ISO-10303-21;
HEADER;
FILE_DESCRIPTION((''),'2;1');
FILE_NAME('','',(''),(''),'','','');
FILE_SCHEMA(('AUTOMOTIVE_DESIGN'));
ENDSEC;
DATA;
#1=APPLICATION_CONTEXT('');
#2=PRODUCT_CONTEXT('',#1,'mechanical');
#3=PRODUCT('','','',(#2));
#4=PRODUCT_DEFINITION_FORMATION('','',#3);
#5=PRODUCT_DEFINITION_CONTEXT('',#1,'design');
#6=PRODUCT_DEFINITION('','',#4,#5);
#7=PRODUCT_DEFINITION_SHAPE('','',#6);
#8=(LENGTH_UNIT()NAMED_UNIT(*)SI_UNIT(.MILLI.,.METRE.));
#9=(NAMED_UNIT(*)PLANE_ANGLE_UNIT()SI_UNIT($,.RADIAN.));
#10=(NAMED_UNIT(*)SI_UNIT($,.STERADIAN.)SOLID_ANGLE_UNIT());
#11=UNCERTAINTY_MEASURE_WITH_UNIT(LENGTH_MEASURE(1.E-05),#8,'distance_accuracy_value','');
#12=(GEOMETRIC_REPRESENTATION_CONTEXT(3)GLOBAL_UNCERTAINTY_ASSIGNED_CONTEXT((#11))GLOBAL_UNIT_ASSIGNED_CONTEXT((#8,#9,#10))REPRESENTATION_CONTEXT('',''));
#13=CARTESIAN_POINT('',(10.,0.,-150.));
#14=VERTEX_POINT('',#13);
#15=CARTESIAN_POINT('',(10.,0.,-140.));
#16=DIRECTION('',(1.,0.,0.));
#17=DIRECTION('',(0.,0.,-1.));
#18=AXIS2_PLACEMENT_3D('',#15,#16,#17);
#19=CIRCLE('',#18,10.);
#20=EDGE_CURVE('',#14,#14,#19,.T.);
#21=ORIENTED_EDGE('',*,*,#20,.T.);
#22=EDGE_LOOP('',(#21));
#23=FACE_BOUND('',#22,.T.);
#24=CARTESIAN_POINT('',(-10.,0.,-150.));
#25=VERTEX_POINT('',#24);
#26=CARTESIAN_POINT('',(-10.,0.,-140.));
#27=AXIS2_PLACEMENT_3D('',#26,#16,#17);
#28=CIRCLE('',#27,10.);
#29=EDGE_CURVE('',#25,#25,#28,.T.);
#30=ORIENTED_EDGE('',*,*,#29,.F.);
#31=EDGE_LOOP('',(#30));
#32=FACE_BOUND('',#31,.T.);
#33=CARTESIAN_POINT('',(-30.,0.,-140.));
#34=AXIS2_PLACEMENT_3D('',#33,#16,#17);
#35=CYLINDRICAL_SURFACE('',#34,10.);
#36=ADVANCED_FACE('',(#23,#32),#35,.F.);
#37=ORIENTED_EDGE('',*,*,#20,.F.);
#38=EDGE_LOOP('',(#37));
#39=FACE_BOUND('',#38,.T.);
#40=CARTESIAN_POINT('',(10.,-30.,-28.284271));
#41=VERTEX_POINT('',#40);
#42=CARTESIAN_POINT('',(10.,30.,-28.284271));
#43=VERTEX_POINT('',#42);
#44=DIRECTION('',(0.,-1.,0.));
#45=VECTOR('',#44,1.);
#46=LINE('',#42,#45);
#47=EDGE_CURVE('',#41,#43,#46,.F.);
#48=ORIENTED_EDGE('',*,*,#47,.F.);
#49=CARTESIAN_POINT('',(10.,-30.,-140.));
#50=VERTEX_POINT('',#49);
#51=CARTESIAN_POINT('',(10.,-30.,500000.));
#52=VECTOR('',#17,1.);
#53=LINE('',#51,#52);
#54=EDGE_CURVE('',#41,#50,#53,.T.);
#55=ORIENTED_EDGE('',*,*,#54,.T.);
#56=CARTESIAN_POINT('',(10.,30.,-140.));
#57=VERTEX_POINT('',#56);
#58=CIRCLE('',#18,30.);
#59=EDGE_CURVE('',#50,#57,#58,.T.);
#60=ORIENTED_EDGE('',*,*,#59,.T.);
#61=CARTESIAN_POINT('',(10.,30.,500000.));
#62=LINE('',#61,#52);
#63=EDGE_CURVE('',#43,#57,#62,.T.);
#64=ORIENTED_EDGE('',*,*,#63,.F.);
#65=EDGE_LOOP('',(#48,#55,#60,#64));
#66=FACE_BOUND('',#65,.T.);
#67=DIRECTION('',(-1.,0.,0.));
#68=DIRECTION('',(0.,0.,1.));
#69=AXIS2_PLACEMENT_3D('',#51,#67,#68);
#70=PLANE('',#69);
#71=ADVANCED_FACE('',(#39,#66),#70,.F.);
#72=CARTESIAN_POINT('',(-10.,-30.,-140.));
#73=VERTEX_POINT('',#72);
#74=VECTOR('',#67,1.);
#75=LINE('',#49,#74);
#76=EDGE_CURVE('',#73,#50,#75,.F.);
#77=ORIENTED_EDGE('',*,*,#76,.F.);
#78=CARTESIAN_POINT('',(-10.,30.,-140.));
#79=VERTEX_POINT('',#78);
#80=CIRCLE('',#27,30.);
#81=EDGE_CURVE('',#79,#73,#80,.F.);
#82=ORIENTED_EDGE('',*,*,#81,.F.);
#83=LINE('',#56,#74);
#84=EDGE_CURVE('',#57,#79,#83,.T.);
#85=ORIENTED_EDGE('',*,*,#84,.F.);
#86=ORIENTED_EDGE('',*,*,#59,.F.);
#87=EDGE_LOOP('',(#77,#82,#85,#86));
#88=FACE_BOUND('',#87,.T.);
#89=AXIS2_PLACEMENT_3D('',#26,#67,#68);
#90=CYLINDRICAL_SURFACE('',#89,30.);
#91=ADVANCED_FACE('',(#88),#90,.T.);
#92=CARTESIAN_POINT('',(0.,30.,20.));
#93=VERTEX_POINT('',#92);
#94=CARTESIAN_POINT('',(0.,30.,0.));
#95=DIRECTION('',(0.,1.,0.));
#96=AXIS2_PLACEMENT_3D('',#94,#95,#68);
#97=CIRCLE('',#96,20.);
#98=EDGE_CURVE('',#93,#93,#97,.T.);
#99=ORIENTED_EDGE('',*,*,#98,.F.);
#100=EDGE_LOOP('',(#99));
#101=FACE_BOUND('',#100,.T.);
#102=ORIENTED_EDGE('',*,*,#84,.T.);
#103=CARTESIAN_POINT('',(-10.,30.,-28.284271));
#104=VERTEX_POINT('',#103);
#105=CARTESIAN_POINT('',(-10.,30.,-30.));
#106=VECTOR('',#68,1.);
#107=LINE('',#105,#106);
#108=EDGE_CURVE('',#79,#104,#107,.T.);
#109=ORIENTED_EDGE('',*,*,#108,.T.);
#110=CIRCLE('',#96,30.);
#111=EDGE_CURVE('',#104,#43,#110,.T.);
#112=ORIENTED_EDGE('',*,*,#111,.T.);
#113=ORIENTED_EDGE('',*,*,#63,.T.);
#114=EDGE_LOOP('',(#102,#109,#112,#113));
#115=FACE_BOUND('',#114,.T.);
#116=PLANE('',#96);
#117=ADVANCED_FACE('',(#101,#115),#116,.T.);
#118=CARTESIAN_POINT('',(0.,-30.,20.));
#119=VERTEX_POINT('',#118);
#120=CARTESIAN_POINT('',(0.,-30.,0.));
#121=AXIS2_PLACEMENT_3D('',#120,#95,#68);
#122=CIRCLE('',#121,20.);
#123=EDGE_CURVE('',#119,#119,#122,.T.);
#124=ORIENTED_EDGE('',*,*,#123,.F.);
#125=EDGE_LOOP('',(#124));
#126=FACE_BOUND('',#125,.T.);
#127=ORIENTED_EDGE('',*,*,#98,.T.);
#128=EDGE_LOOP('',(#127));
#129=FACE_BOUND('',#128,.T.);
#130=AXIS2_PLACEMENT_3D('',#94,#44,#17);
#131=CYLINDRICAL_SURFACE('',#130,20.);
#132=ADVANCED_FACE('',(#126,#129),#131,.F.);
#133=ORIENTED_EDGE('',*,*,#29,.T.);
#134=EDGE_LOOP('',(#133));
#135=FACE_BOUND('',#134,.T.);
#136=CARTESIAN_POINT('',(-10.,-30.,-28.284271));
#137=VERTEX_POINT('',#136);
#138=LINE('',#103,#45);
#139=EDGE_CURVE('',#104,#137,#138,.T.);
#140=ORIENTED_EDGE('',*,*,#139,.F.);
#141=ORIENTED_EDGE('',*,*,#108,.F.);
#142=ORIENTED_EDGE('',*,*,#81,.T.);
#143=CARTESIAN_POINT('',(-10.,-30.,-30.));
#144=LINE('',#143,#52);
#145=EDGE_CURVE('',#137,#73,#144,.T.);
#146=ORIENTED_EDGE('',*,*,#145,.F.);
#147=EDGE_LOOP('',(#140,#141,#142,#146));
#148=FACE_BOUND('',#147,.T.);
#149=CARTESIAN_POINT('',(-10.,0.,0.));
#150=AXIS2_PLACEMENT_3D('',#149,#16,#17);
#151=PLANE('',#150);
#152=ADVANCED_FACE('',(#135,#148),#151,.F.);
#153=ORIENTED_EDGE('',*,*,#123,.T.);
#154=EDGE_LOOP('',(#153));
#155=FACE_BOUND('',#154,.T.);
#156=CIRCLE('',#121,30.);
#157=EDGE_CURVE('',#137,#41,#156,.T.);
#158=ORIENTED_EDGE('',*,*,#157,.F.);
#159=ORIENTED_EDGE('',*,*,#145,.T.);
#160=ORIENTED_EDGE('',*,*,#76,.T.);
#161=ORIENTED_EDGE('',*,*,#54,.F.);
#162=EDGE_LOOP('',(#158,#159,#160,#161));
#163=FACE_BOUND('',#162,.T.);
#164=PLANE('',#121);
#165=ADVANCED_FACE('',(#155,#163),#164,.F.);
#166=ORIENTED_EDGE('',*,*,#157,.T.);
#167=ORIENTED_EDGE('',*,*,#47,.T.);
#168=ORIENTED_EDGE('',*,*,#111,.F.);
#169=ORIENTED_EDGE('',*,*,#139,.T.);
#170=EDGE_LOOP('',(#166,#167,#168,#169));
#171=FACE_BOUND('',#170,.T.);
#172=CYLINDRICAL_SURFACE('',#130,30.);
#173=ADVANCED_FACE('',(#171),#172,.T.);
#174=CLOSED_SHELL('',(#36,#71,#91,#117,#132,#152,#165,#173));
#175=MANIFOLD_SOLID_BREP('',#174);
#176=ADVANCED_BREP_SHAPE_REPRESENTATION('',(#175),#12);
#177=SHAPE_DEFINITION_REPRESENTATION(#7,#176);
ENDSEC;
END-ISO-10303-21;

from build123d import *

# Parameters (mm, degrees)
SKETCH_1_R           = 30
SKETCH_1_R_2         = 20
EXTRUDE_1_DEPTH      = 30
SKETCH_2_W           = 140
SKETCH_2_H           = 60
EXTRUDE_2_DEPTH      = 10
SKETCH_3_R           = 10
CUT_EXTRUDE_1_DEPTH  = 178.200451467
FILLET_1_RADIUS      = 30
FILLET_1_LENGTH      = 20
EXTRUDE_3_REACH      = 148.287
EXTRUDE_3_END_RADIUS = 30
SKETCH_4_W           = 20
SKETCH_4_H           = 60


with BuildPart() as part:
    # 草图1 → 凸台-拉伸1 (new, symmetric)
    with BuildSketch(Plane(origin=(0, 0, 0), x_dir=(1, 0, 0), z_dir=(0, 1, 0))):
        with Locations(Location((0, 0, 0), (0, 0, 270))):
            Circle(SKETCH_1_R)
        with Locations(Location((0, 0, 0), (0, 0, 270))):
            Circle(SKETCH_1_R_2, mode=Mode.SUBTRACT)
    extrude(amount=EXTRUDE_1_DEPTH, both=True)



with BuildPart() as body_2:
    # 草图2 → 凸台-拉伸2 (new, symmetric)
    with BuildSketch(Plane(origin=(0, 0, 0), x_dir=(0, 0, -1), z_dir=(1, 0, 0))):
        with Locations((100, 0)):
            Rectangle(SKETCH_2_W, SKETCH_2_H)
    extrude(amount=EXTRUDE_2_DEPTH, both=True)

    # 草图3 → 切除-拉伸1 (cut, through all)
    with BuildSketch(Plane(origin=(10, 0, 0), x_dir=(0, 0, -1), z_dir=(1, 0, 0))):
        with Locations((140, 0)):
            Circle(SKETCH_3_R)
    extrude(amount=-CUT_EXTRUDE_1_DEPTH, mode=Mode.SUBTRACT)

    # 圆角1: full round fillet: the end face becomes a half cylinder, R = half its width
    fillet_1_face = Plane((0, 0, -170), x_dir=(1, 0, 0), z_dir=(0, 0, -1))  # on the end face: x along it, z out of the body
    fillet_1_slab = fillet_1_face.offset(-FILLET_1_RADIUS / 2) * Box(FILLET_1_LENGTH, 2 * FILLET_1_RADIUS, FILLET_1_RADIUS, mode=Mode.PRIVATE)  # the body's end, R deep
    fillet_1_round = Plane((0, 0, -140), x_dir=(0, 0, -1), z_dir=(1, 0, 0)) * Cylinder(FILLET_1_RADIUS, FILLET_1_LENGTH, mode=Mode.PRIVATE)  # its axis R under the face
    add(fillet_1_slab - fillet_1_round, mode=Mode.SUBTRACT)


with BuildPart() as part_1:
    add(part.part)

    add(body_2.part)  # 凸台-拉伸3 merges body 2
    # 凸台-拉伸3: up to this cylinder (the profile starts outside it)
    extrude_3_end = Plane(origin=(0, 0, 0), z_dir=(0, -1, 0)) * Cylinder(EXTRUDE_3_END_RADIUS, 357.574, mode=Mode.PRIVATE)
    # 草图4 → 凸台-拉伸3 (add, up to the surface)
    with BuildSketch(Plane.XY.offset(-30), mode=Mode.PRIVATE) as extrude_3_sk1:
        Rectangle(SKETCH_4_W, SKETCH_4_H)
    extrude_3_tool1 = extrude(extrude_3_sk1.sketch, amount=EXTRUDE_3_REACH, mode=Mode.PRIVATE) - extrude_3_end
    add(extrude_3_tool1.solids().sort_by_distance((0, 0, -30))[0])
    add(extrude_3_tool1.solids().sort_by_distance((0, 0, -30))[1])


solid = part_1.part
